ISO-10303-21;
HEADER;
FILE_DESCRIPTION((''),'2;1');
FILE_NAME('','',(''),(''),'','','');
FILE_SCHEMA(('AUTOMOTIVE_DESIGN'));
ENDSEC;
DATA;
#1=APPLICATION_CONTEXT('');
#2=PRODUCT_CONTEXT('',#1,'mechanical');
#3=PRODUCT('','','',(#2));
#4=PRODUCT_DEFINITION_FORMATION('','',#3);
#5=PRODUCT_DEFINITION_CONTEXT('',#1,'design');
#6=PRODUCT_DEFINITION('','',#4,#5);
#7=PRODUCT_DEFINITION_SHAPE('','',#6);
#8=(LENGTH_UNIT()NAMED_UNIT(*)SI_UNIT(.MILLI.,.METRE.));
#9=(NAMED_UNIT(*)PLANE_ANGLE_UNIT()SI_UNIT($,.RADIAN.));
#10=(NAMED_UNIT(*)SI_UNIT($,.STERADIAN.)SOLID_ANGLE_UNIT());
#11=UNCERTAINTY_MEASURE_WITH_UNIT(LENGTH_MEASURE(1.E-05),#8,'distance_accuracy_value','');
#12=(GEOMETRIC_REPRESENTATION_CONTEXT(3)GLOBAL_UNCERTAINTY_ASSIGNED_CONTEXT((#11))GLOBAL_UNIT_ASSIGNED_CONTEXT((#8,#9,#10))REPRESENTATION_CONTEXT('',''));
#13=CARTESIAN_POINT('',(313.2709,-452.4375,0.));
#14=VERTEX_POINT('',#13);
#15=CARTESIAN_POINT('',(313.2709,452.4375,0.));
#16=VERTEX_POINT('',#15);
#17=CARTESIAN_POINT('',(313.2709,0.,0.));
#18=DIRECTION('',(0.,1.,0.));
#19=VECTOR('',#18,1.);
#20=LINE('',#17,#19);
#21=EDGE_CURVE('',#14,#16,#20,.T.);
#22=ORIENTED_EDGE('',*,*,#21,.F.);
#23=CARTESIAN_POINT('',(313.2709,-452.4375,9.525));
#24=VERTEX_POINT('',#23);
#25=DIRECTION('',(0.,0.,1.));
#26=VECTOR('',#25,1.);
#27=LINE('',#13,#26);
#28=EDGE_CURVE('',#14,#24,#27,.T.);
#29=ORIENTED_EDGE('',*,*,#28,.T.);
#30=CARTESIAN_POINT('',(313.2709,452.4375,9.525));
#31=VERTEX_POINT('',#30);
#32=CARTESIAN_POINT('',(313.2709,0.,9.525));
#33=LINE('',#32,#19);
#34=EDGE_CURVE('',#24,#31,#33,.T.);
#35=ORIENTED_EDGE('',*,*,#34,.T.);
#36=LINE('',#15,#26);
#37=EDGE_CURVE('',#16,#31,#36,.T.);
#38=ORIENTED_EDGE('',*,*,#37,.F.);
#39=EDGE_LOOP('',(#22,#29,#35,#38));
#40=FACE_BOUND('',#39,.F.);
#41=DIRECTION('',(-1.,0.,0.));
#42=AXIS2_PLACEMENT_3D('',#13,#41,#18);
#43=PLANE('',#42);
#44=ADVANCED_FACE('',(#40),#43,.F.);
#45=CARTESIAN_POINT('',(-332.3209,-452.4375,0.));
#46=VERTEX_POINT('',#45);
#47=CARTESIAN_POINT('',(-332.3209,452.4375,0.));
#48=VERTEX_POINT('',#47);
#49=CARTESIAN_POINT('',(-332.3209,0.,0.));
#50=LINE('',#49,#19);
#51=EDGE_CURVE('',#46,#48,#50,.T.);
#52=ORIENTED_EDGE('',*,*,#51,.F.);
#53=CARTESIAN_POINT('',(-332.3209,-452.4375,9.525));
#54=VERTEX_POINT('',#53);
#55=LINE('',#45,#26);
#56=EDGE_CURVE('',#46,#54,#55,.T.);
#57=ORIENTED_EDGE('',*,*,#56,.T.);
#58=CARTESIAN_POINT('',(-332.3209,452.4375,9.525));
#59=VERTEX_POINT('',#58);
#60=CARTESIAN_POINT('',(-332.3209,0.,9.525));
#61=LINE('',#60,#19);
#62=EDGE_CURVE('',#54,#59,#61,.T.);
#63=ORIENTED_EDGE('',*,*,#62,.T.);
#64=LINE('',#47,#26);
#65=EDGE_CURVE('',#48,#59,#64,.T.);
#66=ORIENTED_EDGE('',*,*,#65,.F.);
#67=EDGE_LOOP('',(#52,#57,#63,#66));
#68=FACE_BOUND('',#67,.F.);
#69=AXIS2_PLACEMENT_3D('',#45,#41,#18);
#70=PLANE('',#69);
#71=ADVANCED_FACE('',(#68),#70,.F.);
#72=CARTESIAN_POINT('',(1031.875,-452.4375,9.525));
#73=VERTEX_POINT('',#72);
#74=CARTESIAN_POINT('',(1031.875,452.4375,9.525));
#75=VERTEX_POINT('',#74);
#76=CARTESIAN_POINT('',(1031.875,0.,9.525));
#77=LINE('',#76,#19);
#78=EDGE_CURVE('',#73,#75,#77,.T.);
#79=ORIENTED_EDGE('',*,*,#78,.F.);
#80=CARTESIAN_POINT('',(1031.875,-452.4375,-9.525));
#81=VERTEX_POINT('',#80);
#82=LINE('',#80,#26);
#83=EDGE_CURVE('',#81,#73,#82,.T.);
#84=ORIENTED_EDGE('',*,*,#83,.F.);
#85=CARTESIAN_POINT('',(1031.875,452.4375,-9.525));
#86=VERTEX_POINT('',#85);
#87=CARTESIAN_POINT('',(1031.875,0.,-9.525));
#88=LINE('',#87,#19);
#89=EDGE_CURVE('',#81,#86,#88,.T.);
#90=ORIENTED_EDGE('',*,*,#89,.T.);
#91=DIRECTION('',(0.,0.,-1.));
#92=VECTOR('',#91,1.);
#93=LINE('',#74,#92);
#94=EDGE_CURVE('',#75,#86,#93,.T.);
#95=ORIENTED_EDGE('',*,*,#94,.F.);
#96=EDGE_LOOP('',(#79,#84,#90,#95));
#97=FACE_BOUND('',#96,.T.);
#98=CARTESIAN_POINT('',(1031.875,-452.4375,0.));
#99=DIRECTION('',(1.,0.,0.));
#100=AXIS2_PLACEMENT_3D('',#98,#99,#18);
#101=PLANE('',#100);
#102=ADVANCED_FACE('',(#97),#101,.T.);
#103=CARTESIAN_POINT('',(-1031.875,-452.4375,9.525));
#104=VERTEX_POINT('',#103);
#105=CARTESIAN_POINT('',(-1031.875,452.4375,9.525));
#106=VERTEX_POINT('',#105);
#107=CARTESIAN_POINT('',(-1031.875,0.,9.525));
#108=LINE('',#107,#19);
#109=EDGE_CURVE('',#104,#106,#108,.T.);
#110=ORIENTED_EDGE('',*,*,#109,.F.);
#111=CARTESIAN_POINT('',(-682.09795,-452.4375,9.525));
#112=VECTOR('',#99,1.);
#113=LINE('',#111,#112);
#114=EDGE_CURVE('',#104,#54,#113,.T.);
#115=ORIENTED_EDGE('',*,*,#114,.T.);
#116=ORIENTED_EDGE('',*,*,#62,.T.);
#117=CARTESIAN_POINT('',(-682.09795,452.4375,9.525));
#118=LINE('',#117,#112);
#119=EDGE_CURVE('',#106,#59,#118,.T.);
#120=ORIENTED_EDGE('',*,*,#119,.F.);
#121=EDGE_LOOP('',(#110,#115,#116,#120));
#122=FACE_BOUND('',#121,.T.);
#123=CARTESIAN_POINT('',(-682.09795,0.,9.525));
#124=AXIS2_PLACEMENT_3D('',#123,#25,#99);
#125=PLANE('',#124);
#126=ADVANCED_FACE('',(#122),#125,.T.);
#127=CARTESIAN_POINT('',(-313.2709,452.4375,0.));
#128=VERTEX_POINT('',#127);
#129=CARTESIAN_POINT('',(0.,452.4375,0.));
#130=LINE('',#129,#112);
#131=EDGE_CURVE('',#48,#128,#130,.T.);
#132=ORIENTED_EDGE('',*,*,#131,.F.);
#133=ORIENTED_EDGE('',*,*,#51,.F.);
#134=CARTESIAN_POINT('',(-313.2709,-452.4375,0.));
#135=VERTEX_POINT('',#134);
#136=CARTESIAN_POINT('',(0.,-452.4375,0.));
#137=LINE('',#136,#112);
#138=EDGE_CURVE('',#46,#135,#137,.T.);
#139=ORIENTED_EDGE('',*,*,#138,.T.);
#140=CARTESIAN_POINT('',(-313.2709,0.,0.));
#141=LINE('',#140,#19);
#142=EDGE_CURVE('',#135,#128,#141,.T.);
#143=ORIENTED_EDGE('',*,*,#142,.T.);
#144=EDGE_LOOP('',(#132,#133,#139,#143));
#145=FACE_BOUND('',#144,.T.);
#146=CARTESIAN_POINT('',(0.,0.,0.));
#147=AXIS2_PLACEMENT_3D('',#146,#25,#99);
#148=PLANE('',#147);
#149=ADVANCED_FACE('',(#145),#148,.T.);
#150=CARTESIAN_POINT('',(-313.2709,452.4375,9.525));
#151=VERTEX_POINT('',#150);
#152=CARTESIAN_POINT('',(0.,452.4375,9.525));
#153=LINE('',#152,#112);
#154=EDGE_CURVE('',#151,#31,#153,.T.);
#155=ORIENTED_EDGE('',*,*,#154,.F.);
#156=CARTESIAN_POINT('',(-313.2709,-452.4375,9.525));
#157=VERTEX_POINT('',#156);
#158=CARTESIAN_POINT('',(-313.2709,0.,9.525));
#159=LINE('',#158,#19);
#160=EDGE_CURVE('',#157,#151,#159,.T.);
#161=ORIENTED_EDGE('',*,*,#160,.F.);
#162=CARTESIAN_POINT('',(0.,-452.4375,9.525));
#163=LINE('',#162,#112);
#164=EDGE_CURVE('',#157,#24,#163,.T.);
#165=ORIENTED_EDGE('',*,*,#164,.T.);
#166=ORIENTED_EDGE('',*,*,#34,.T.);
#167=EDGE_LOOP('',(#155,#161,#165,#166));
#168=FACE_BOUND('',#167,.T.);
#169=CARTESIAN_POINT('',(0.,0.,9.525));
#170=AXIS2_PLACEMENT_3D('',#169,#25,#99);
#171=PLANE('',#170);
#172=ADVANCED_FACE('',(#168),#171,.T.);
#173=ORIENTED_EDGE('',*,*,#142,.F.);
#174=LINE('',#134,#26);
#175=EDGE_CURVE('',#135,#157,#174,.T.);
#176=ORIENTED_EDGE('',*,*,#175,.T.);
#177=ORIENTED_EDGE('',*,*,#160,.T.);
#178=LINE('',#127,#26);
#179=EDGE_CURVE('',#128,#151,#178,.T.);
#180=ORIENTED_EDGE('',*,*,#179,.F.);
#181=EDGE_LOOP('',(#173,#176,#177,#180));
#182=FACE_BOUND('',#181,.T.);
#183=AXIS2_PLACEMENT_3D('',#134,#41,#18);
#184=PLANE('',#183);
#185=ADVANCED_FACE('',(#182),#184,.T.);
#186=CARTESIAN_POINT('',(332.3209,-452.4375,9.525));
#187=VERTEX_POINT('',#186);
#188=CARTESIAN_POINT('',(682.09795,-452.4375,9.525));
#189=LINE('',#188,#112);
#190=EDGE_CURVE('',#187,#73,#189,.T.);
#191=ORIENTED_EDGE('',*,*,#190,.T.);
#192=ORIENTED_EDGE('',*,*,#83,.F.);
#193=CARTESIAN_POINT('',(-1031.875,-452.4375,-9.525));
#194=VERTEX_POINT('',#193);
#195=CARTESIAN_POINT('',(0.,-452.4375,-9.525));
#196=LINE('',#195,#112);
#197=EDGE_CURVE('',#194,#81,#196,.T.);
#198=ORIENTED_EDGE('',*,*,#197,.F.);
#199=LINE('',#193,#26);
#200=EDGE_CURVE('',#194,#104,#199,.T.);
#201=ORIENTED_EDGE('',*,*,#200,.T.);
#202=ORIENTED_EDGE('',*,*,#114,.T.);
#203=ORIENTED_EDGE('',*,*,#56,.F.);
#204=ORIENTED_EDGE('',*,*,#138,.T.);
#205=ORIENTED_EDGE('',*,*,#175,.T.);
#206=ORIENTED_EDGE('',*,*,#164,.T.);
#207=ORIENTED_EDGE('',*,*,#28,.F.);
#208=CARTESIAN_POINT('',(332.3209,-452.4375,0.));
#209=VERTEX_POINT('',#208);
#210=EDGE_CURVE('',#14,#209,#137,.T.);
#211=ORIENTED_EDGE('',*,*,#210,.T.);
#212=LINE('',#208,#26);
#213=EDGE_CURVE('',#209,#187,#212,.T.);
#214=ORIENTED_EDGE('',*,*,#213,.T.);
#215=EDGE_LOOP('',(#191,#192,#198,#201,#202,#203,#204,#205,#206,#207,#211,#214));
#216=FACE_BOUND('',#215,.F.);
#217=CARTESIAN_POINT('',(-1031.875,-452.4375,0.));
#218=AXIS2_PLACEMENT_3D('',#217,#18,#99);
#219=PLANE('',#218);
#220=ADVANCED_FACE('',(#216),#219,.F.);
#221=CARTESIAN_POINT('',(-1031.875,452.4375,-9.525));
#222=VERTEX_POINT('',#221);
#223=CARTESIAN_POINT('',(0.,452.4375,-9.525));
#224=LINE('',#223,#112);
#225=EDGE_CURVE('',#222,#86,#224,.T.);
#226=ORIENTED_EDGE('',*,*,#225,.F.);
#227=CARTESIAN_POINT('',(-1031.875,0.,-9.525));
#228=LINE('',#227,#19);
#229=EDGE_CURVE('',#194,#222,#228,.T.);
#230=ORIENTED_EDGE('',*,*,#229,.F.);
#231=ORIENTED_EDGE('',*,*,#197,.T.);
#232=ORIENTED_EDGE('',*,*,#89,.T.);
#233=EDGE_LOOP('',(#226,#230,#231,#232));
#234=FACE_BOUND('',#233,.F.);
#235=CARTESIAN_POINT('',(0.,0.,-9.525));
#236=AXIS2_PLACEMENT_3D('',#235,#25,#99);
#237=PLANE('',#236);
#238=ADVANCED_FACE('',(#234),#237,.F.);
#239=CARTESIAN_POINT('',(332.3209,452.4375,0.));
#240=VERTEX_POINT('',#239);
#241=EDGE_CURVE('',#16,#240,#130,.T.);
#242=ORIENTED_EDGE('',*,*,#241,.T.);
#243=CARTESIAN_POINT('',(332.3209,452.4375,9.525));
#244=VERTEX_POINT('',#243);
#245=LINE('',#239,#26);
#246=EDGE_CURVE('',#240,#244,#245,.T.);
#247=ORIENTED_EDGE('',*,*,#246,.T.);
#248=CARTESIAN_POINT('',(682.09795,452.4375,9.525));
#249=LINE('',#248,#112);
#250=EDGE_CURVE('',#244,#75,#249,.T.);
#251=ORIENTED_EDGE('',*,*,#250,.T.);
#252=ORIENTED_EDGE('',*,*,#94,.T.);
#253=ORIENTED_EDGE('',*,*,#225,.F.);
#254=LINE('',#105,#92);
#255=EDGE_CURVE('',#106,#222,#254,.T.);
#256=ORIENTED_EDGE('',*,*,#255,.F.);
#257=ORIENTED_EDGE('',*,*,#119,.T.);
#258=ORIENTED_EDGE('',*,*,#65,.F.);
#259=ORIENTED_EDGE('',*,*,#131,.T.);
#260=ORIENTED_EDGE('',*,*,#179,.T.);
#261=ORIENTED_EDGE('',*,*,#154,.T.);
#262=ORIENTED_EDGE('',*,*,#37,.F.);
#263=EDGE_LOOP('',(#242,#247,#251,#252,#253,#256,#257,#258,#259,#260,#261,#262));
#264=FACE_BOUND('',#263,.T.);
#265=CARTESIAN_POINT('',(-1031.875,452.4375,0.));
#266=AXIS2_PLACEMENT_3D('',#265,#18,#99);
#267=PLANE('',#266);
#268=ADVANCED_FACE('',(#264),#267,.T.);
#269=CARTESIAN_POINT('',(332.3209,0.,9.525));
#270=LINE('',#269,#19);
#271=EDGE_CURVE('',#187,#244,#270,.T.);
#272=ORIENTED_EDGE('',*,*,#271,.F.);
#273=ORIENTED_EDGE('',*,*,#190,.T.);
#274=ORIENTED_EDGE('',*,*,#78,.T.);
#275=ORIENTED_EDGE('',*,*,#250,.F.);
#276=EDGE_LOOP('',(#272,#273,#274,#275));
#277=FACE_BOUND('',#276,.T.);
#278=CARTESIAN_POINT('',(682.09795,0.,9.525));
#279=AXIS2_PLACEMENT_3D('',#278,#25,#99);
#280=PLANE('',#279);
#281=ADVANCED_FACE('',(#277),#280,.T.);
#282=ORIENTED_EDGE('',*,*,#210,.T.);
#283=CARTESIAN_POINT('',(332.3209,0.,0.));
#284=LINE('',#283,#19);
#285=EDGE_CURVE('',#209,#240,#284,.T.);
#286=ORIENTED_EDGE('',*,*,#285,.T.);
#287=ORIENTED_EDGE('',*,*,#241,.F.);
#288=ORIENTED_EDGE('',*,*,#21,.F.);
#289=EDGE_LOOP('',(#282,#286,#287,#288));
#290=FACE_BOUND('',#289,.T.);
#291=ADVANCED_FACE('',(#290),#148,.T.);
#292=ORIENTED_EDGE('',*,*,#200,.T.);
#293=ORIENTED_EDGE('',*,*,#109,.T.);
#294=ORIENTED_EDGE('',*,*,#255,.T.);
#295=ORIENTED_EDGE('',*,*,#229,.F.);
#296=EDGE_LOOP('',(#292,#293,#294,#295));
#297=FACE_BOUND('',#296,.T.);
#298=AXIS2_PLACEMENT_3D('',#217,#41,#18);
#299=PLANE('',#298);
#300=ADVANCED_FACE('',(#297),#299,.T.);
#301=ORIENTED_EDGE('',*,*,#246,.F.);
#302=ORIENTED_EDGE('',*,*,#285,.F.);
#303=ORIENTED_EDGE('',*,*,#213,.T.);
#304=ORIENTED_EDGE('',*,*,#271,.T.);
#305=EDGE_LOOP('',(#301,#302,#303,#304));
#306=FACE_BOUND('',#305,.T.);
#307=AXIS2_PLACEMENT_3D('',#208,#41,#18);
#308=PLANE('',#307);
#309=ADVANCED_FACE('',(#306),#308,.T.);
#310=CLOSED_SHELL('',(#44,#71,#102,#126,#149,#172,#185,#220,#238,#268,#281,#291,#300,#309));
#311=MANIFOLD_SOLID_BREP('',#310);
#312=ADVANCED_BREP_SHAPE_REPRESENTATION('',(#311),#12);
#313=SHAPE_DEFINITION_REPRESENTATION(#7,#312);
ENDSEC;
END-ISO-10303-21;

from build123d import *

# Parameters (mm, degrees)
F0_W     = 2063.75
F0_H     = 904.875
F2_DEPTH = 9.525
F1_W     = 699.5541
F1_H     = 904.875
F1_W_2   = 626.5418
F3_DEPTH = 9.525


with BuildPart() as f2:
    # F0 (on Top) → F2 (new body)
    with BuildSketch(Plane.XY):
        Rectangle(F0_W, F0_H)
    extrude(amount=-F2_DEPTH)

    # F1 (on Top) → F3 (join)
    with BuildSketch(Plane.XY):
        with Locations((-682.09795, 0)):
            Rectangle(F1_W, F1_H)
        with Locations((682.09795, 0)):
            Rectangle(F1_W, F1_H)
        Rectangle(F1_W_2, F1_H)
    extrude(amount=F3_DEPTH)


solid = f2.part
